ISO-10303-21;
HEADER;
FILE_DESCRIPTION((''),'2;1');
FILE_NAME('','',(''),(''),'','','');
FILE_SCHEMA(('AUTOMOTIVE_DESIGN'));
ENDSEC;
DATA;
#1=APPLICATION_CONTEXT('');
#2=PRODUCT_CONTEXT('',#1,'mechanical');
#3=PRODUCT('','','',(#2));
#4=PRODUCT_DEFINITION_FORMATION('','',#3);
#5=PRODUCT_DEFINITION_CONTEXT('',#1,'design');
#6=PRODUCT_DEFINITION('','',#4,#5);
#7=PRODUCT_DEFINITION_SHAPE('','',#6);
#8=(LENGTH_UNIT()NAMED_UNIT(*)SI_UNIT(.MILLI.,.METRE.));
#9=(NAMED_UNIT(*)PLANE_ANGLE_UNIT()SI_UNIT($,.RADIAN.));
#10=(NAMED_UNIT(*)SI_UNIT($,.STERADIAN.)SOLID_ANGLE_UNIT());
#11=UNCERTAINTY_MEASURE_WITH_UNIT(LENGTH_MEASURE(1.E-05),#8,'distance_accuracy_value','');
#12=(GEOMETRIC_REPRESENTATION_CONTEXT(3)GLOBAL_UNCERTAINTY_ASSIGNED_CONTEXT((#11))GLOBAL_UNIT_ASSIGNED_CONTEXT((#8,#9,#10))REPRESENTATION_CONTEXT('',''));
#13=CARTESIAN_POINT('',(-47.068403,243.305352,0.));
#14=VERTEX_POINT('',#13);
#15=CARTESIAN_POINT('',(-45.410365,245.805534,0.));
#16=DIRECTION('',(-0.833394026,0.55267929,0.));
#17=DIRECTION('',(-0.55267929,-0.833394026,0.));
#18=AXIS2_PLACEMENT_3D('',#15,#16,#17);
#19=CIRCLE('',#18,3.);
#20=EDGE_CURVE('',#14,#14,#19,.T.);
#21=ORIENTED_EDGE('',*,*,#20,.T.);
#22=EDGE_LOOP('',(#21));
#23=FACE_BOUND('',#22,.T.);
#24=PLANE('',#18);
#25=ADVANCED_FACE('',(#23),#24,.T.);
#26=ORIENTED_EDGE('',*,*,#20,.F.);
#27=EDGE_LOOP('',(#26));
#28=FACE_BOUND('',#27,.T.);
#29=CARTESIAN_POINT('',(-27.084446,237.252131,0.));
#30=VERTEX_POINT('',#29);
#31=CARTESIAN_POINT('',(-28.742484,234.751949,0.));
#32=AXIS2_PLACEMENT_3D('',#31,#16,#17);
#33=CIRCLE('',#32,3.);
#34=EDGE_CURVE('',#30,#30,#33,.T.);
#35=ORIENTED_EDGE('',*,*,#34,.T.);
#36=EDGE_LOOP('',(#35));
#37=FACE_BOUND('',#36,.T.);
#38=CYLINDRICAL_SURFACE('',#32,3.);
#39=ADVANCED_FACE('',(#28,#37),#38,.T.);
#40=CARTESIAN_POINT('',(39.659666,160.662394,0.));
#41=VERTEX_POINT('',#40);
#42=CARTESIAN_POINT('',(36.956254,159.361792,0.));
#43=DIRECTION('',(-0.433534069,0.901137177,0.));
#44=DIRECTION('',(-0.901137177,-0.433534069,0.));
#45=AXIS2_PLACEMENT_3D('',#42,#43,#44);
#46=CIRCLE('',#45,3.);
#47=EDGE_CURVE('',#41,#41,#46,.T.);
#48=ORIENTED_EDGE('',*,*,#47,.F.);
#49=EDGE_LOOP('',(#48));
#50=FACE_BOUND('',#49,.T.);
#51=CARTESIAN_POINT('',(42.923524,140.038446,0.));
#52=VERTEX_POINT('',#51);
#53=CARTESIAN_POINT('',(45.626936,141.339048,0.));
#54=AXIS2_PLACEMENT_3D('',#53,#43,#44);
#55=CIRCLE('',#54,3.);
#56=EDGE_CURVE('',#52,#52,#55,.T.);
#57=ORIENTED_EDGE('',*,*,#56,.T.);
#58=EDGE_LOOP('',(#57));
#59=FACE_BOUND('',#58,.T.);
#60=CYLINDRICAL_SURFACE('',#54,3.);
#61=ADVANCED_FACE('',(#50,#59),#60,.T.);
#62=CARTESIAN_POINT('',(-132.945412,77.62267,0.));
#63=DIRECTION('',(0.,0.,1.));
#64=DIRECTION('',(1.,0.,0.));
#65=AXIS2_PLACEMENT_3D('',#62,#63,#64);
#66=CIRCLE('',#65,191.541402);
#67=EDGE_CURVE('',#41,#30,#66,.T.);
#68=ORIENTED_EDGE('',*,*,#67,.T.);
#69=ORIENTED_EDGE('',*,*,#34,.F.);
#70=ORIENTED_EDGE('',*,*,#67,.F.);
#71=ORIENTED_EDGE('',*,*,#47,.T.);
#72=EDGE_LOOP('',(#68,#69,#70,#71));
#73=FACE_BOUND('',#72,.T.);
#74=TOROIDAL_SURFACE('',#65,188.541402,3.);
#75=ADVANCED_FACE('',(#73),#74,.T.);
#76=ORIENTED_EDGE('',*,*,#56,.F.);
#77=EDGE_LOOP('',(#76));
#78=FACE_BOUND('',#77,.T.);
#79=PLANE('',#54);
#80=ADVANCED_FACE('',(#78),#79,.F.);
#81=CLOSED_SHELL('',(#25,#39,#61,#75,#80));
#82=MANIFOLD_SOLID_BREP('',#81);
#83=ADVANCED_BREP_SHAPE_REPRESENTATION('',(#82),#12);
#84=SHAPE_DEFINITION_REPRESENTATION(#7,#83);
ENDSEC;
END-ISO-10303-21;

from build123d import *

# Parameters (mm, degrees)
VARREDURA1_PROFILE_R = 3


with BuildPart() as part:
    # Varredura1: sweep along a path in Esboço1
    with BuildLine(Plane.XY) as varredura1_path:
        Line((-45.410364748, 245.805534333), (-28.742484229, 234.751948534))
        ThreePointArc((-28.742484229, 234.751948534), (9.196246406, 201.491993129), (36.95625427, 159.361791619))
        Line((36.95625427, 159.361791619), (45.626935647, 141.339048086))
    # Varredura1 profile (on start of the path) → Varredura1 (sweep)
    with BuildSketch(Plane(origin=(-45.410364748, 245.805534333, 0), x_dir=(0.55267929, 0.833394026, 0), z_dir=(0.833394026, -0.55267929, 0))):
        Circle(VARREDURA1_PROFILE_R)
    sweep(path=varredura1_path.line)


solid = part.part
